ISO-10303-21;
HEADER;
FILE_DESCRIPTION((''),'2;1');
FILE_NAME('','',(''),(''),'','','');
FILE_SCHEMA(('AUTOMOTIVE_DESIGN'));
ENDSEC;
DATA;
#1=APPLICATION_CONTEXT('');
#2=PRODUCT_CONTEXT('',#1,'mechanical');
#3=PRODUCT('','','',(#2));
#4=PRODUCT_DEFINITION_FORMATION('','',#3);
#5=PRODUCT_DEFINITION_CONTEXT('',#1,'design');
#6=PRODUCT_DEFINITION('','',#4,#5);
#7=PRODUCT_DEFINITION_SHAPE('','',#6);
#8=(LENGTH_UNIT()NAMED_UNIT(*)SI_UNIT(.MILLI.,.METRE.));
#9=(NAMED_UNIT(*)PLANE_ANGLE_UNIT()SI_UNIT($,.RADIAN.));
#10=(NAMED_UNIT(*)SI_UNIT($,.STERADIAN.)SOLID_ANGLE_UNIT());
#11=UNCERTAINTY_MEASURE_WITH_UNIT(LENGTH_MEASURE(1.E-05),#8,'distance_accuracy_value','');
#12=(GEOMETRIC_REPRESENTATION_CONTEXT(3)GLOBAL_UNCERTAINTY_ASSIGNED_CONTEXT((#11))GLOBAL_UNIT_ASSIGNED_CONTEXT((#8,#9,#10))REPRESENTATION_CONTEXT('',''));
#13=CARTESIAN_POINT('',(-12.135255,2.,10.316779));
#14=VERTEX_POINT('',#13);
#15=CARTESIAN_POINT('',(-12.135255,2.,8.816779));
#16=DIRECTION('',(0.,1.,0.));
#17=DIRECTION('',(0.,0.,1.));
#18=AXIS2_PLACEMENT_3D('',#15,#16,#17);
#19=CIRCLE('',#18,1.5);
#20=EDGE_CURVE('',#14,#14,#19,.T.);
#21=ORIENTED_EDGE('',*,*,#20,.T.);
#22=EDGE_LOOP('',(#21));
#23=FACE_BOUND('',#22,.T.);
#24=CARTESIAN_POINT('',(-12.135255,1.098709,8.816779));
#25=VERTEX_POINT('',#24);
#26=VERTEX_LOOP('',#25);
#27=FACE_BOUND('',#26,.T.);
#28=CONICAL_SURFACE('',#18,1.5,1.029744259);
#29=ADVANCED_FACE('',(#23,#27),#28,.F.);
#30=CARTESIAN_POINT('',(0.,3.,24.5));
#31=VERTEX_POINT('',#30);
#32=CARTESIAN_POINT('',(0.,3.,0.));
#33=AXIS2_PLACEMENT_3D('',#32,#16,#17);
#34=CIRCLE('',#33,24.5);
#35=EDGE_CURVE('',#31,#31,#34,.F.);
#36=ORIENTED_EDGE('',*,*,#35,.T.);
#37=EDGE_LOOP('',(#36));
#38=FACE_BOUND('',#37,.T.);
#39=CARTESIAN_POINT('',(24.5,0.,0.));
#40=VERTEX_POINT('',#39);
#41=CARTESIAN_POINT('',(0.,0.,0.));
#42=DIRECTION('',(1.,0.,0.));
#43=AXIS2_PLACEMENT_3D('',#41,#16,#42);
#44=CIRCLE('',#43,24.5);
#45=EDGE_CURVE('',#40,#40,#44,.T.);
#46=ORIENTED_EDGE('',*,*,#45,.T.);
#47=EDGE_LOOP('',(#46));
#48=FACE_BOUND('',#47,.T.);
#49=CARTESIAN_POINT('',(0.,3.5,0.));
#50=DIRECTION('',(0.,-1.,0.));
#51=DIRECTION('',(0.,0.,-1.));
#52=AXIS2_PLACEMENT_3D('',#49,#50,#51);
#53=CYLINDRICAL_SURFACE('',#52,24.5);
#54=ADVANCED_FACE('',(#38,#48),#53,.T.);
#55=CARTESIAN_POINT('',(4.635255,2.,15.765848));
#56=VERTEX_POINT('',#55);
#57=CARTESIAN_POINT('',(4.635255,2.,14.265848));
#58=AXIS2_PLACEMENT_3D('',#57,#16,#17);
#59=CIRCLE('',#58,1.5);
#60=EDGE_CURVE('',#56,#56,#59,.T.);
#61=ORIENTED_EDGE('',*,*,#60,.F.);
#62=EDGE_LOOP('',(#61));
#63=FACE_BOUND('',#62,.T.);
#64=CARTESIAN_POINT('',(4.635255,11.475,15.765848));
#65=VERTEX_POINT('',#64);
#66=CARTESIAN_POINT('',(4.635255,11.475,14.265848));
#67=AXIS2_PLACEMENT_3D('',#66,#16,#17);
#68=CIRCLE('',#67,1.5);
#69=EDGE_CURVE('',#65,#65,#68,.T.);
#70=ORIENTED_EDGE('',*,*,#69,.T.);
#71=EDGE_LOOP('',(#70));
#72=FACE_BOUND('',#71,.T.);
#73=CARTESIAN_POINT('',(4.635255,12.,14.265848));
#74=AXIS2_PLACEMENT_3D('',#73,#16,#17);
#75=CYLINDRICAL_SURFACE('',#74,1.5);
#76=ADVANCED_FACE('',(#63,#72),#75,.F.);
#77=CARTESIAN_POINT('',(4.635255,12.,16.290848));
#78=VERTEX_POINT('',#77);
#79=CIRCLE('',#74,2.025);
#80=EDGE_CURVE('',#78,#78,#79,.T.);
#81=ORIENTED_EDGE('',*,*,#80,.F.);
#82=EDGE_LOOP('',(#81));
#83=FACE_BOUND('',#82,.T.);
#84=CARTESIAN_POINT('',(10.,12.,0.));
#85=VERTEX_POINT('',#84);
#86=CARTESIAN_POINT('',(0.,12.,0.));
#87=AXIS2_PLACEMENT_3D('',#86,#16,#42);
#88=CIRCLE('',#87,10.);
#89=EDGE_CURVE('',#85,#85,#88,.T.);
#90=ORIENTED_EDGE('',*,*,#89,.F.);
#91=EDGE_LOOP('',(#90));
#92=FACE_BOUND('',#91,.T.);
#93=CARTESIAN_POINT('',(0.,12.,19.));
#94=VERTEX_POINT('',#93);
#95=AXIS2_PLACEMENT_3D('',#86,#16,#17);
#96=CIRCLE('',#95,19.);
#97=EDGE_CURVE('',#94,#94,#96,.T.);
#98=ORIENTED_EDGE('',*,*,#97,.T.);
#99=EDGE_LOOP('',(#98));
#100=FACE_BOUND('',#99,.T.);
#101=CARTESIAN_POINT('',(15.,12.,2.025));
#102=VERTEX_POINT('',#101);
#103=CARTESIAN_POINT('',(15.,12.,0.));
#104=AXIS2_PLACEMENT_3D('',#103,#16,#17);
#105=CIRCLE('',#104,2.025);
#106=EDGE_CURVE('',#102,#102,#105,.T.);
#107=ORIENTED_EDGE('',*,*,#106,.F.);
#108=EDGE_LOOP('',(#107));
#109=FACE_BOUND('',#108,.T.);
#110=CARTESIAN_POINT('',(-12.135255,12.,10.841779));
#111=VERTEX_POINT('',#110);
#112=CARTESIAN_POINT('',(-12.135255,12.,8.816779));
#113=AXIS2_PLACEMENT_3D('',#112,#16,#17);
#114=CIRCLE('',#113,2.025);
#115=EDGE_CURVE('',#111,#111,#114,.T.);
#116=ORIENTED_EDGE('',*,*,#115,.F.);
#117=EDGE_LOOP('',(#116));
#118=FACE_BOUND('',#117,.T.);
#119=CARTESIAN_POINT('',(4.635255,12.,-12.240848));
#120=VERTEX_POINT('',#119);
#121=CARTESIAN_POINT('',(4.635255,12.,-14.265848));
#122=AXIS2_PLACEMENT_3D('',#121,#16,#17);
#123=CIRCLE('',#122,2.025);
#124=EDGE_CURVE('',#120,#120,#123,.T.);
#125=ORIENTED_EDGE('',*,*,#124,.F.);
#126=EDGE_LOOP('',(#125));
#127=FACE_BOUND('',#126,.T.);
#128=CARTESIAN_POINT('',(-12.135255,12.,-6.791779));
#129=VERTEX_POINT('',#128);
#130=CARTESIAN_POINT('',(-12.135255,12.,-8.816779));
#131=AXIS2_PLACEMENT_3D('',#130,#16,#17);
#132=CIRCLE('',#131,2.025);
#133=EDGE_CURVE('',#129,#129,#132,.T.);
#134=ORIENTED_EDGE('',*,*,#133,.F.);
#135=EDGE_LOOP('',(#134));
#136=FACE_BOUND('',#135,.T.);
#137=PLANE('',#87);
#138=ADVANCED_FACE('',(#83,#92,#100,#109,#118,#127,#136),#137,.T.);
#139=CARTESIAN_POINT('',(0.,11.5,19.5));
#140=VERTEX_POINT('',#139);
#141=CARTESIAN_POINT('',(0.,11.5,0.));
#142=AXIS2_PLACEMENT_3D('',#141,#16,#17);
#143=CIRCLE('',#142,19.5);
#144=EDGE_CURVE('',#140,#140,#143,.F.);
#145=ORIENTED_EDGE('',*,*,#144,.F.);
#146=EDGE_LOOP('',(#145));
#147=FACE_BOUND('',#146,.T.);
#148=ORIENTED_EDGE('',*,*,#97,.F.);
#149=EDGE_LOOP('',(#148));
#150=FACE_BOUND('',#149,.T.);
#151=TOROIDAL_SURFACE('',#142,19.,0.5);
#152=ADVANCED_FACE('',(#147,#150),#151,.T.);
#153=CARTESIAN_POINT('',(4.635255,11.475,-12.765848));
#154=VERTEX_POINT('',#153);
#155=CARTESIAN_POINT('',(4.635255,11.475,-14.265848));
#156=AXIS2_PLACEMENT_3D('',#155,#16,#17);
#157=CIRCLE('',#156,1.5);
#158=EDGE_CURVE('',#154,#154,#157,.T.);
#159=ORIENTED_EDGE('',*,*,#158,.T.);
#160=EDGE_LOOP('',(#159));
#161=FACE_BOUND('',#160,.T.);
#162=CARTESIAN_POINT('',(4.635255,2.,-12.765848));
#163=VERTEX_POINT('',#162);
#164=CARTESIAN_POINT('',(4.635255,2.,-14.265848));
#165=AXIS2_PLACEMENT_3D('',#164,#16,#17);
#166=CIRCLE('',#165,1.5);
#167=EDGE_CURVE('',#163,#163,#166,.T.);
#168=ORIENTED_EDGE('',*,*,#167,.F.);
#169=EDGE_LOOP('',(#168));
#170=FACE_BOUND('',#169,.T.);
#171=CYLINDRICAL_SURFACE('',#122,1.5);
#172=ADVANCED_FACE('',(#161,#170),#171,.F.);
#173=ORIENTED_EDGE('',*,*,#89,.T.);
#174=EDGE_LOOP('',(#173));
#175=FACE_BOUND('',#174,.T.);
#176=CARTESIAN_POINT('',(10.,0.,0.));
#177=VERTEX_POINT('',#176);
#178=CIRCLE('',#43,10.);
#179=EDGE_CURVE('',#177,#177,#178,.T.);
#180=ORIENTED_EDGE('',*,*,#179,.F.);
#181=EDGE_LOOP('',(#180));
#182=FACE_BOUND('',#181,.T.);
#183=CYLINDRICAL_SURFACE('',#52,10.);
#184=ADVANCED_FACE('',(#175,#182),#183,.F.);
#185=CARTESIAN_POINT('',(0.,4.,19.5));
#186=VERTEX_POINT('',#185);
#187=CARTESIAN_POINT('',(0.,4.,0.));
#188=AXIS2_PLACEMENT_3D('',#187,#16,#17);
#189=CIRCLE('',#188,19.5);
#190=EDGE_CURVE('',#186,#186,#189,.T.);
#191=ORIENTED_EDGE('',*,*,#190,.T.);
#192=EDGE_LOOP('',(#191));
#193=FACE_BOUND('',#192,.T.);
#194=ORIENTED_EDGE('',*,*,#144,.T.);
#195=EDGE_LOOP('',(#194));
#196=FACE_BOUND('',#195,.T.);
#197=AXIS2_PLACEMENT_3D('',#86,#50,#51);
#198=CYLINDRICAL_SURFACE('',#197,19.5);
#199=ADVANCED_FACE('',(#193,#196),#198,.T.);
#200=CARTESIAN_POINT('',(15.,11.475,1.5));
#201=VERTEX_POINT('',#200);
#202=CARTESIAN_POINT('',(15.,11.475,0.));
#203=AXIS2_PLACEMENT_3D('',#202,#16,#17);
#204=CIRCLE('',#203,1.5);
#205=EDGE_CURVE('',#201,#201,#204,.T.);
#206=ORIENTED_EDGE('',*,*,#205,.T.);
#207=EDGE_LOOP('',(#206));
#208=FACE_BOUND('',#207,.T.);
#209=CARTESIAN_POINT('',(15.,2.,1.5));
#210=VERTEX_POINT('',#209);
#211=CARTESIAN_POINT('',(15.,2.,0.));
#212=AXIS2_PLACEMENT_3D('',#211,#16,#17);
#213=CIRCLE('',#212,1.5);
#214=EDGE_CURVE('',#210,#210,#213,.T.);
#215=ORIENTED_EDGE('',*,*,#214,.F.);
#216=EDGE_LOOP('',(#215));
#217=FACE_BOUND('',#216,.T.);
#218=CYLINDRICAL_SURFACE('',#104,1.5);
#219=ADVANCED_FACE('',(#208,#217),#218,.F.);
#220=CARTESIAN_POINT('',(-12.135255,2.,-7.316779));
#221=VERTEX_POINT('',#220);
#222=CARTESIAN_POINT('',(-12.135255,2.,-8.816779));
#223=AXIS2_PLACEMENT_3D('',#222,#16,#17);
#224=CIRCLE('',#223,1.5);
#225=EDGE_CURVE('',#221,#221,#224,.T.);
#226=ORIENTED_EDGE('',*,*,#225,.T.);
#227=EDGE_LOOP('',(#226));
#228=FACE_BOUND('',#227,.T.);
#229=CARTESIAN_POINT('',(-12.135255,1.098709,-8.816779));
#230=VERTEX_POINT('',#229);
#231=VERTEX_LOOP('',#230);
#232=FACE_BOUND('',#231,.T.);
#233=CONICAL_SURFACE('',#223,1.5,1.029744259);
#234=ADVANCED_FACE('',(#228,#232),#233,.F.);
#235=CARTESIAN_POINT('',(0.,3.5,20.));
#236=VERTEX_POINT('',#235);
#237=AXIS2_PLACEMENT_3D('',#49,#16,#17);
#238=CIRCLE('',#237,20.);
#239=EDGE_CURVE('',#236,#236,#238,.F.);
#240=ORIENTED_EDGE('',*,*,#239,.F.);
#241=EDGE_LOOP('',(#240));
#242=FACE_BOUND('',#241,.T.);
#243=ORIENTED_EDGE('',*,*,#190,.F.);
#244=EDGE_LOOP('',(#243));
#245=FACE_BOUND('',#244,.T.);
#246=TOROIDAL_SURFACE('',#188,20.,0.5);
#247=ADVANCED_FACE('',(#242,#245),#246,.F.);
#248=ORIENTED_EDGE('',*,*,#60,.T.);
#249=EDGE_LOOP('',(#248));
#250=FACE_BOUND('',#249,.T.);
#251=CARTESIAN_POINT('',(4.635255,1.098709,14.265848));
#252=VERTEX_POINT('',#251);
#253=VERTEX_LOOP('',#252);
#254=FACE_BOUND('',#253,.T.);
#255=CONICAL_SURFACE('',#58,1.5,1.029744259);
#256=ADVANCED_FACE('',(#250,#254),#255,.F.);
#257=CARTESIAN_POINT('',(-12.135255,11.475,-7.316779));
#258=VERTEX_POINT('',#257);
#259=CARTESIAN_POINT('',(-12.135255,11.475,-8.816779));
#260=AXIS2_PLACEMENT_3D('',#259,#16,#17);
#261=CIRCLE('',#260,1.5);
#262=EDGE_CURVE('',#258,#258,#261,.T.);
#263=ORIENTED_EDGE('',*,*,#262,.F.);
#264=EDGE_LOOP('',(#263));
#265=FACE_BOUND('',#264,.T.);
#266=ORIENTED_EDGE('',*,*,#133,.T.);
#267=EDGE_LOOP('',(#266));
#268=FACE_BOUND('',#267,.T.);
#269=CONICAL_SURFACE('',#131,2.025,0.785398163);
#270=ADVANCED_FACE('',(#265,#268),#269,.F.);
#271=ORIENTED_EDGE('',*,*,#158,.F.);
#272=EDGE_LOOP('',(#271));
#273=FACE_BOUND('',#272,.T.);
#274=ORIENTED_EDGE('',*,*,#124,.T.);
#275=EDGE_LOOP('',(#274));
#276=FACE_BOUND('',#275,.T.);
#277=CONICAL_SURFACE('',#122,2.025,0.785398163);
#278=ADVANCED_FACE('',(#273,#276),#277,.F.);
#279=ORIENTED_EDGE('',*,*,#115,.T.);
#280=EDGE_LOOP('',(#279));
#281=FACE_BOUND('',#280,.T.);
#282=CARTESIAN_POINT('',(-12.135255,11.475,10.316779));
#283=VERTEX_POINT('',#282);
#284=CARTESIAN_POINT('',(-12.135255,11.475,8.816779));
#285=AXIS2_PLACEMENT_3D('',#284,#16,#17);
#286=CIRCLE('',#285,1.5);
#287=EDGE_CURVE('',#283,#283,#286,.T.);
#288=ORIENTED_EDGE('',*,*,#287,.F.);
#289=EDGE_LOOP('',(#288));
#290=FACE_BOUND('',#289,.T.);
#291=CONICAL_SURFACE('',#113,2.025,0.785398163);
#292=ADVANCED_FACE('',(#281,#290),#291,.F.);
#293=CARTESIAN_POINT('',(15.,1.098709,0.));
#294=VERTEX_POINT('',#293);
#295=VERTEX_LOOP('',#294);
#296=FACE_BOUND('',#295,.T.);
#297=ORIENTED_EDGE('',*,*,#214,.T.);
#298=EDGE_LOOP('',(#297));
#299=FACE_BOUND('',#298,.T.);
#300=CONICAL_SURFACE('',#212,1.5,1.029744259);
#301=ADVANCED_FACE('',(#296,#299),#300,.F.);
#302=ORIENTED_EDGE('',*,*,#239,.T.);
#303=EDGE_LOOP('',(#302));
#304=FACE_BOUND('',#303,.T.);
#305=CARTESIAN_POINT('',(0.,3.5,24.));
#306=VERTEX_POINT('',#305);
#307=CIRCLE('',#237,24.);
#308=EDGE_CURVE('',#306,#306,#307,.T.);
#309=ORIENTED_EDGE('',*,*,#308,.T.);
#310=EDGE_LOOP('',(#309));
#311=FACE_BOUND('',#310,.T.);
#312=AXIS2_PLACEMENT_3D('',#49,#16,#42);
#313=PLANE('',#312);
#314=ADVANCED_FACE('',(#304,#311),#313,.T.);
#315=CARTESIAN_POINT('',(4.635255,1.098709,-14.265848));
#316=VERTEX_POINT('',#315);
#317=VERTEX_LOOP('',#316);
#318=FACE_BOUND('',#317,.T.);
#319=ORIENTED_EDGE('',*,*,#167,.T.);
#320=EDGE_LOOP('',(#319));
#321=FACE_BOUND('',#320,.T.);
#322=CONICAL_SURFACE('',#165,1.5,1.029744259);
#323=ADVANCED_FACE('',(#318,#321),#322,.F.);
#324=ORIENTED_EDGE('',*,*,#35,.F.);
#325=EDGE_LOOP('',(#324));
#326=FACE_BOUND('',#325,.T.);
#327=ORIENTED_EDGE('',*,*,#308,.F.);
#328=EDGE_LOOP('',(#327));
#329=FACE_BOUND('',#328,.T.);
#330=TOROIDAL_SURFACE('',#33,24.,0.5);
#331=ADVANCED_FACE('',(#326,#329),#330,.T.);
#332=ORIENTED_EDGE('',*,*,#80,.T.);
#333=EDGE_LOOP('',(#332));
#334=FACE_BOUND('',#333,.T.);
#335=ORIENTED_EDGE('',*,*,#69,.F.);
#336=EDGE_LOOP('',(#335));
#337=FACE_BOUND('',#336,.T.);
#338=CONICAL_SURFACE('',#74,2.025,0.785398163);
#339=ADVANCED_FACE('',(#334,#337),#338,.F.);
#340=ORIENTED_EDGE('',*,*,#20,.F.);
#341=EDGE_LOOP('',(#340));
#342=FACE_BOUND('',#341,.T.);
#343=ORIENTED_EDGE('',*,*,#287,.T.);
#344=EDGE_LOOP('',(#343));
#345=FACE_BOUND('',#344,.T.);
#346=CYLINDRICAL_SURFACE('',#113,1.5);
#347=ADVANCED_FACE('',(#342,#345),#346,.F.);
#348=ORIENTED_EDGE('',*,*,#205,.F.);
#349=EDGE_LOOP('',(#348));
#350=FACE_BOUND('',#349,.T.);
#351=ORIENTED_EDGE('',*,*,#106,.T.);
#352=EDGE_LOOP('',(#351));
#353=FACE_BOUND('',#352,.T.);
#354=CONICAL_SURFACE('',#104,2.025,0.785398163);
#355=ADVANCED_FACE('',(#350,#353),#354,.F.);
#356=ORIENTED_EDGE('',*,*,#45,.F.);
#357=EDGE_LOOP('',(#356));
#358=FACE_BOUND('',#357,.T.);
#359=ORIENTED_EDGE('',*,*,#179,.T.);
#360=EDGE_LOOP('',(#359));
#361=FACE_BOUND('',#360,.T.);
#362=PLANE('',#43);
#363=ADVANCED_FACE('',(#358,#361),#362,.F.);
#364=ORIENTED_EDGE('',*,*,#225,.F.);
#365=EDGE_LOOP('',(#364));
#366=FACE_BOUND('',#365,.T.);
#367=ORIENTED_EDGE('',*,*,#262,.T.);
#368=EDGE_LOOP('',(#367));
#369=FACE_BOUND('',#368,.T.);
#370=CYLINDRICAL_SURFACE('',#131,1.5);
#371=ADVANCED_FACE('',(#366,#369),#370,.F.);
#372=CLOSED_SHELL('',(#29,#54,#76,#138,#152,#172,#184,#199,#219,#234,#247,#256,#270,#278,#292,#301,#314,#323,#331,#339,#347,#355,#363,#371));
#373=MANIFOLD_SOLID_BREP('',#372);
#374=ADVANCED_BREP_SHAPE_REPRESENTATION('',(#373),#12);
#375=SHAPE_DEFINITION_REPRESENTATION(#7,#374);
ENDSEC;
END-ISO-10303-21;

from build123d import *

# Parameters (mm, degrees)
SKETCH1_R          = 24.5
SKETCH1_R_2        = 10
EXTRUDE1_DEPTH     = 3.5
SKETCH1_3_R        = 19.5
SKETCH1_3_R_2      = 10
EXTRUDE2_DEPTH     = 12
CIRPATTERN1_COUNT  = 5
FINISHING_FILLET_R = 0.5


with BuildPart() as part:
    # Sketch1 → Extrude1 (new body)
    with BuildSketch(Plane(origin=(0, 0, 0), x_dir=(1, 0, 0), z_dir=(0, 1, 0))):
        Circle(SKETCH1_R)
        Circle(SKETCH1_R_2, mode=Mode.SUBTRACT)
    extrude(amount=EXTRUDE1_DEPTH)

    # Sketch1<3> → Extrude2 (add)
    with BuildSketch(Plane(origin=(0, 0, 0), x_dir=(1, 0, 0), z_dir=(0, 1, 0))):
        Circle(SKETCH1_3_R)
        Circle(SKETCH1_3_R_2, mode=Mode.SUBTRACT)
    extrude(amount=EXTRUDE2_DEPTH)

    # Sketch3 → Ø3.0 Diameter Hole1 (revolve, cut)
    with BuildSketch(Plane(origin=(15, 12, 0), x_dir=(0, 0, 1), z_dir=(1, 0, 0))):
        Polygon((0, 0), (0, 10.901290929), (1.5, 10), (1.5, 0.525), (2.025, 0), align=None)
    f_3_0_diameter_hole1 = revolve(axis=Axis((15, 18.35, 0), (0, -1, 0)), mode=Mode.SUBTRACT)

    # CirPattern1: Ø3.0 Diameter Hole1 ×5 about axis
    cirpattern1_axis = Axis((0, 12, 0), (0, -1, 0))
    for i in range(1, CIRPATTERN1_COUNT):
        add(f_3_0_diameter_hole1.rotate(cirpattern1_axis, i * 360 / CIRPATTERN1_COUNT), mode=Mode.SUBTRACT)

    # Finishing Fillet
    finishing_fillet_edges = [part.edges().sort_by_distance(p)[0] for p in [
        (-19.5, 12, 0),
        (-19.5, 3.5, 0),
        (-24.5, 3.5, 0),
    ]]
    fillet(finishing_fillet_edges, radius=FINISHING_FILLET_R)


solid = part.part
